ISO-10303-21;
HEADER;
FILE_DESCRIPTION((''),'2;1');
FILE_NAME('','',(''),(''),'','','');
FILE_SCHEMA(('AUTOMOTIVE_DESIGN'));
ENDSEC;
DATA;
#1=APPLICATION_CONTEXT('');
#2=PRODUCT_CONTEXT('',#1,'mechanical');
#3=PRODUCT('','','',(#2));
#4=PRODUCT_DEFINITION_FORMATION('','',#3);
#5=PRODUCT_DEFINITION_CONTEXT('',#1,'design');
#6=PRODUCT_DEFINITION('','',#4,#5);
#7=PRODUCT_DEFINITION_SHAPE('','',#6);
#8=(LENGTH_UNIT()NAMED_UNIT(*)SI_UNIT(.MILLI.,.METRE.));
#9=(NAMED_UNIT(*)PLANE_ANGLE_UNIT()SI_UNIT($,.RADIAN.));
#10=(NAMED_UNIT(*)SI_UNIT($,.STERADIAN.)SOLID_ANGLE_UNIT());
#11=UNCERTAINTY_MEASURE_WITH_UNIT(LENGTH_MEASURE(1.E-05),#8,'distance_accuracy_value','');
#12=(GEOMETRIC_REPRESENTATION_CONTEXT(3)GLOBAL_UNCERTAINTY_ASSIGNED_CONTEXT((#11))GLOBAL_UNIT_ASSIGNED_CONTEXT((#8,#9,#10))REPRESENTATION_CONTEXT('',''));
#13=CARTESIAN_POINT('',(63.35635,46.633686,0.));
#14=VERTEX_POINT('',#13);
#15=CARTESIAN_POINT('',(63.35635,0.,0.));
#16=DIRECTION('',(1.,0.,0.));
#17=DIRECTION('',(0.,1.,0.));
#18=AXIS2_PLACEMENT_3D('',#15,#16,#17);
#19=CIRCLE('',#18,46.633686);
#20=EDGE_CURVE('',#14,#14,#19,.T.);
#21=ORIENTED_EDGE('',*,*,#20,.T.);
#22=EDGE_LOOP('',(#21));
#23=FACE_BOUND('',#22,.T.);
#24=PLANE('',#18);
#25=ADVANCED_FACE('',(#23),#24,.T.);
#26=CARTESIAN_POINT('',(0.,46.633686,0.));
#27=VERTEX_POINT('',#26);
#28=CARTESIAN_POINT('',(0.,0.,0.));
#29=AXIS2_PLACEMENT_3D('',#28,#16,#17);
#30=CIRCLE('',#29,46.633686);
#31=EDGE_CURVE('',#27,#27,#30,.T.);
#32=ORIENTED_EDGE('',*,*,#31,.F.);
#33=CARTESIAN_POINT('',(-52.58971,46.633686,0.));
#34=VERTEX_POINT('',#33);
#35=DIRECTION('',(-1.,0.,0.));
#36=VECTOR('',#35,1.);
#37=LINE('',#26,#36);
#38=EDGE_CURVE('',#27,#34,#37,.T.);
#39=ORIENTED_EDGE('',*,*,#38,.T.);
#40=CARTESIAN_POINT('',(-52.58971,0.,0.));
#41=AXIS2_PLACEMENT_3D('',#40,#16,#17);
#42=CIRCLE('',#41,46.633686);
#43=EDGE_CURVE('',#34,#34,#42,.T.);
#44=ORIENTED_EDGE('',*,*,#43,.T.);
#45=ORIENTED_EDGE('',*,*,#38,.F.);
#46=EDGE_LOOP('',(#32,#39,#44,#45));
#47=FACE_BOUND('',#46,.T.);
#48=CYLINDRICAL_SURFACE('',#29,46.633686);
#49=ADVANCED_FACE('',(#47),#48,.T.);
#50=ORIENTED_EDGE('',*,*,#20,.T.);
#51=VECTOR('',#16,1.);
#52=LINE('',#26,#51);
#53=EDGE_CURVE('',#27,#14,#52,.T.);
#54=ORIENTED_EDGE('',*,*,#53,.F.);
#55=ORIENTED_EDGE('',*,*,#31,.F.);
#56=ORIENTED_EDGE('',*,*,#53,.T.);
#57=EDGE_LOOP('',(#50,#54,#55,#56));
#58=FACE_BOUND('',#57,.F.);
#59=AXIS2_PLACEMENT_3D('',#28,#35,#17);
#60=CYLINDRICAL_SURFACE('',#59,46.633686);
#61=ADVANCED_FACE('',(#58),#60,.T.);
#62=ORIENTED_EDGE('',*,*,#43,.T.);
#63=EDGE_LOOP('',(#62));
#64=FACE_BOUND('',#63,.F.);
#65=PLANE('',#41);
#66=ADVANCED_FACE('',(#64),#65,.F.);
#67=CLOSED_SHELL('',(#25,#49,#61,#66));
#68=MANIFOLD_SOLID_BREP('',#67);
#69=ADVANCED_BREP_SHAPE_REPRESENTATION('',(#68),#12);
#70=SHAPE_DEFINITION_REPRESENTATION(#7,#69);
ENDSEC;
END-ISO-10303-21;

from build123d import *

# Parameters (mm, degrees)
F0_R          = 46.6336864715
F1_DEPTH      = 52.58971
F1_DEPTH_BACK = 63.35635


with BuildPart() as f1:
    # F0 (on Right) → F1 (new body, two sides)
    with BuildSketch(Plane.YZ) as f1_sk:
        Circle(F0_R)
    extrude(amount=-F1_DEPTH)
    extrude(f1_sk.sketch, amount=F1_DEPTH_BACK)


solid = f1.part
